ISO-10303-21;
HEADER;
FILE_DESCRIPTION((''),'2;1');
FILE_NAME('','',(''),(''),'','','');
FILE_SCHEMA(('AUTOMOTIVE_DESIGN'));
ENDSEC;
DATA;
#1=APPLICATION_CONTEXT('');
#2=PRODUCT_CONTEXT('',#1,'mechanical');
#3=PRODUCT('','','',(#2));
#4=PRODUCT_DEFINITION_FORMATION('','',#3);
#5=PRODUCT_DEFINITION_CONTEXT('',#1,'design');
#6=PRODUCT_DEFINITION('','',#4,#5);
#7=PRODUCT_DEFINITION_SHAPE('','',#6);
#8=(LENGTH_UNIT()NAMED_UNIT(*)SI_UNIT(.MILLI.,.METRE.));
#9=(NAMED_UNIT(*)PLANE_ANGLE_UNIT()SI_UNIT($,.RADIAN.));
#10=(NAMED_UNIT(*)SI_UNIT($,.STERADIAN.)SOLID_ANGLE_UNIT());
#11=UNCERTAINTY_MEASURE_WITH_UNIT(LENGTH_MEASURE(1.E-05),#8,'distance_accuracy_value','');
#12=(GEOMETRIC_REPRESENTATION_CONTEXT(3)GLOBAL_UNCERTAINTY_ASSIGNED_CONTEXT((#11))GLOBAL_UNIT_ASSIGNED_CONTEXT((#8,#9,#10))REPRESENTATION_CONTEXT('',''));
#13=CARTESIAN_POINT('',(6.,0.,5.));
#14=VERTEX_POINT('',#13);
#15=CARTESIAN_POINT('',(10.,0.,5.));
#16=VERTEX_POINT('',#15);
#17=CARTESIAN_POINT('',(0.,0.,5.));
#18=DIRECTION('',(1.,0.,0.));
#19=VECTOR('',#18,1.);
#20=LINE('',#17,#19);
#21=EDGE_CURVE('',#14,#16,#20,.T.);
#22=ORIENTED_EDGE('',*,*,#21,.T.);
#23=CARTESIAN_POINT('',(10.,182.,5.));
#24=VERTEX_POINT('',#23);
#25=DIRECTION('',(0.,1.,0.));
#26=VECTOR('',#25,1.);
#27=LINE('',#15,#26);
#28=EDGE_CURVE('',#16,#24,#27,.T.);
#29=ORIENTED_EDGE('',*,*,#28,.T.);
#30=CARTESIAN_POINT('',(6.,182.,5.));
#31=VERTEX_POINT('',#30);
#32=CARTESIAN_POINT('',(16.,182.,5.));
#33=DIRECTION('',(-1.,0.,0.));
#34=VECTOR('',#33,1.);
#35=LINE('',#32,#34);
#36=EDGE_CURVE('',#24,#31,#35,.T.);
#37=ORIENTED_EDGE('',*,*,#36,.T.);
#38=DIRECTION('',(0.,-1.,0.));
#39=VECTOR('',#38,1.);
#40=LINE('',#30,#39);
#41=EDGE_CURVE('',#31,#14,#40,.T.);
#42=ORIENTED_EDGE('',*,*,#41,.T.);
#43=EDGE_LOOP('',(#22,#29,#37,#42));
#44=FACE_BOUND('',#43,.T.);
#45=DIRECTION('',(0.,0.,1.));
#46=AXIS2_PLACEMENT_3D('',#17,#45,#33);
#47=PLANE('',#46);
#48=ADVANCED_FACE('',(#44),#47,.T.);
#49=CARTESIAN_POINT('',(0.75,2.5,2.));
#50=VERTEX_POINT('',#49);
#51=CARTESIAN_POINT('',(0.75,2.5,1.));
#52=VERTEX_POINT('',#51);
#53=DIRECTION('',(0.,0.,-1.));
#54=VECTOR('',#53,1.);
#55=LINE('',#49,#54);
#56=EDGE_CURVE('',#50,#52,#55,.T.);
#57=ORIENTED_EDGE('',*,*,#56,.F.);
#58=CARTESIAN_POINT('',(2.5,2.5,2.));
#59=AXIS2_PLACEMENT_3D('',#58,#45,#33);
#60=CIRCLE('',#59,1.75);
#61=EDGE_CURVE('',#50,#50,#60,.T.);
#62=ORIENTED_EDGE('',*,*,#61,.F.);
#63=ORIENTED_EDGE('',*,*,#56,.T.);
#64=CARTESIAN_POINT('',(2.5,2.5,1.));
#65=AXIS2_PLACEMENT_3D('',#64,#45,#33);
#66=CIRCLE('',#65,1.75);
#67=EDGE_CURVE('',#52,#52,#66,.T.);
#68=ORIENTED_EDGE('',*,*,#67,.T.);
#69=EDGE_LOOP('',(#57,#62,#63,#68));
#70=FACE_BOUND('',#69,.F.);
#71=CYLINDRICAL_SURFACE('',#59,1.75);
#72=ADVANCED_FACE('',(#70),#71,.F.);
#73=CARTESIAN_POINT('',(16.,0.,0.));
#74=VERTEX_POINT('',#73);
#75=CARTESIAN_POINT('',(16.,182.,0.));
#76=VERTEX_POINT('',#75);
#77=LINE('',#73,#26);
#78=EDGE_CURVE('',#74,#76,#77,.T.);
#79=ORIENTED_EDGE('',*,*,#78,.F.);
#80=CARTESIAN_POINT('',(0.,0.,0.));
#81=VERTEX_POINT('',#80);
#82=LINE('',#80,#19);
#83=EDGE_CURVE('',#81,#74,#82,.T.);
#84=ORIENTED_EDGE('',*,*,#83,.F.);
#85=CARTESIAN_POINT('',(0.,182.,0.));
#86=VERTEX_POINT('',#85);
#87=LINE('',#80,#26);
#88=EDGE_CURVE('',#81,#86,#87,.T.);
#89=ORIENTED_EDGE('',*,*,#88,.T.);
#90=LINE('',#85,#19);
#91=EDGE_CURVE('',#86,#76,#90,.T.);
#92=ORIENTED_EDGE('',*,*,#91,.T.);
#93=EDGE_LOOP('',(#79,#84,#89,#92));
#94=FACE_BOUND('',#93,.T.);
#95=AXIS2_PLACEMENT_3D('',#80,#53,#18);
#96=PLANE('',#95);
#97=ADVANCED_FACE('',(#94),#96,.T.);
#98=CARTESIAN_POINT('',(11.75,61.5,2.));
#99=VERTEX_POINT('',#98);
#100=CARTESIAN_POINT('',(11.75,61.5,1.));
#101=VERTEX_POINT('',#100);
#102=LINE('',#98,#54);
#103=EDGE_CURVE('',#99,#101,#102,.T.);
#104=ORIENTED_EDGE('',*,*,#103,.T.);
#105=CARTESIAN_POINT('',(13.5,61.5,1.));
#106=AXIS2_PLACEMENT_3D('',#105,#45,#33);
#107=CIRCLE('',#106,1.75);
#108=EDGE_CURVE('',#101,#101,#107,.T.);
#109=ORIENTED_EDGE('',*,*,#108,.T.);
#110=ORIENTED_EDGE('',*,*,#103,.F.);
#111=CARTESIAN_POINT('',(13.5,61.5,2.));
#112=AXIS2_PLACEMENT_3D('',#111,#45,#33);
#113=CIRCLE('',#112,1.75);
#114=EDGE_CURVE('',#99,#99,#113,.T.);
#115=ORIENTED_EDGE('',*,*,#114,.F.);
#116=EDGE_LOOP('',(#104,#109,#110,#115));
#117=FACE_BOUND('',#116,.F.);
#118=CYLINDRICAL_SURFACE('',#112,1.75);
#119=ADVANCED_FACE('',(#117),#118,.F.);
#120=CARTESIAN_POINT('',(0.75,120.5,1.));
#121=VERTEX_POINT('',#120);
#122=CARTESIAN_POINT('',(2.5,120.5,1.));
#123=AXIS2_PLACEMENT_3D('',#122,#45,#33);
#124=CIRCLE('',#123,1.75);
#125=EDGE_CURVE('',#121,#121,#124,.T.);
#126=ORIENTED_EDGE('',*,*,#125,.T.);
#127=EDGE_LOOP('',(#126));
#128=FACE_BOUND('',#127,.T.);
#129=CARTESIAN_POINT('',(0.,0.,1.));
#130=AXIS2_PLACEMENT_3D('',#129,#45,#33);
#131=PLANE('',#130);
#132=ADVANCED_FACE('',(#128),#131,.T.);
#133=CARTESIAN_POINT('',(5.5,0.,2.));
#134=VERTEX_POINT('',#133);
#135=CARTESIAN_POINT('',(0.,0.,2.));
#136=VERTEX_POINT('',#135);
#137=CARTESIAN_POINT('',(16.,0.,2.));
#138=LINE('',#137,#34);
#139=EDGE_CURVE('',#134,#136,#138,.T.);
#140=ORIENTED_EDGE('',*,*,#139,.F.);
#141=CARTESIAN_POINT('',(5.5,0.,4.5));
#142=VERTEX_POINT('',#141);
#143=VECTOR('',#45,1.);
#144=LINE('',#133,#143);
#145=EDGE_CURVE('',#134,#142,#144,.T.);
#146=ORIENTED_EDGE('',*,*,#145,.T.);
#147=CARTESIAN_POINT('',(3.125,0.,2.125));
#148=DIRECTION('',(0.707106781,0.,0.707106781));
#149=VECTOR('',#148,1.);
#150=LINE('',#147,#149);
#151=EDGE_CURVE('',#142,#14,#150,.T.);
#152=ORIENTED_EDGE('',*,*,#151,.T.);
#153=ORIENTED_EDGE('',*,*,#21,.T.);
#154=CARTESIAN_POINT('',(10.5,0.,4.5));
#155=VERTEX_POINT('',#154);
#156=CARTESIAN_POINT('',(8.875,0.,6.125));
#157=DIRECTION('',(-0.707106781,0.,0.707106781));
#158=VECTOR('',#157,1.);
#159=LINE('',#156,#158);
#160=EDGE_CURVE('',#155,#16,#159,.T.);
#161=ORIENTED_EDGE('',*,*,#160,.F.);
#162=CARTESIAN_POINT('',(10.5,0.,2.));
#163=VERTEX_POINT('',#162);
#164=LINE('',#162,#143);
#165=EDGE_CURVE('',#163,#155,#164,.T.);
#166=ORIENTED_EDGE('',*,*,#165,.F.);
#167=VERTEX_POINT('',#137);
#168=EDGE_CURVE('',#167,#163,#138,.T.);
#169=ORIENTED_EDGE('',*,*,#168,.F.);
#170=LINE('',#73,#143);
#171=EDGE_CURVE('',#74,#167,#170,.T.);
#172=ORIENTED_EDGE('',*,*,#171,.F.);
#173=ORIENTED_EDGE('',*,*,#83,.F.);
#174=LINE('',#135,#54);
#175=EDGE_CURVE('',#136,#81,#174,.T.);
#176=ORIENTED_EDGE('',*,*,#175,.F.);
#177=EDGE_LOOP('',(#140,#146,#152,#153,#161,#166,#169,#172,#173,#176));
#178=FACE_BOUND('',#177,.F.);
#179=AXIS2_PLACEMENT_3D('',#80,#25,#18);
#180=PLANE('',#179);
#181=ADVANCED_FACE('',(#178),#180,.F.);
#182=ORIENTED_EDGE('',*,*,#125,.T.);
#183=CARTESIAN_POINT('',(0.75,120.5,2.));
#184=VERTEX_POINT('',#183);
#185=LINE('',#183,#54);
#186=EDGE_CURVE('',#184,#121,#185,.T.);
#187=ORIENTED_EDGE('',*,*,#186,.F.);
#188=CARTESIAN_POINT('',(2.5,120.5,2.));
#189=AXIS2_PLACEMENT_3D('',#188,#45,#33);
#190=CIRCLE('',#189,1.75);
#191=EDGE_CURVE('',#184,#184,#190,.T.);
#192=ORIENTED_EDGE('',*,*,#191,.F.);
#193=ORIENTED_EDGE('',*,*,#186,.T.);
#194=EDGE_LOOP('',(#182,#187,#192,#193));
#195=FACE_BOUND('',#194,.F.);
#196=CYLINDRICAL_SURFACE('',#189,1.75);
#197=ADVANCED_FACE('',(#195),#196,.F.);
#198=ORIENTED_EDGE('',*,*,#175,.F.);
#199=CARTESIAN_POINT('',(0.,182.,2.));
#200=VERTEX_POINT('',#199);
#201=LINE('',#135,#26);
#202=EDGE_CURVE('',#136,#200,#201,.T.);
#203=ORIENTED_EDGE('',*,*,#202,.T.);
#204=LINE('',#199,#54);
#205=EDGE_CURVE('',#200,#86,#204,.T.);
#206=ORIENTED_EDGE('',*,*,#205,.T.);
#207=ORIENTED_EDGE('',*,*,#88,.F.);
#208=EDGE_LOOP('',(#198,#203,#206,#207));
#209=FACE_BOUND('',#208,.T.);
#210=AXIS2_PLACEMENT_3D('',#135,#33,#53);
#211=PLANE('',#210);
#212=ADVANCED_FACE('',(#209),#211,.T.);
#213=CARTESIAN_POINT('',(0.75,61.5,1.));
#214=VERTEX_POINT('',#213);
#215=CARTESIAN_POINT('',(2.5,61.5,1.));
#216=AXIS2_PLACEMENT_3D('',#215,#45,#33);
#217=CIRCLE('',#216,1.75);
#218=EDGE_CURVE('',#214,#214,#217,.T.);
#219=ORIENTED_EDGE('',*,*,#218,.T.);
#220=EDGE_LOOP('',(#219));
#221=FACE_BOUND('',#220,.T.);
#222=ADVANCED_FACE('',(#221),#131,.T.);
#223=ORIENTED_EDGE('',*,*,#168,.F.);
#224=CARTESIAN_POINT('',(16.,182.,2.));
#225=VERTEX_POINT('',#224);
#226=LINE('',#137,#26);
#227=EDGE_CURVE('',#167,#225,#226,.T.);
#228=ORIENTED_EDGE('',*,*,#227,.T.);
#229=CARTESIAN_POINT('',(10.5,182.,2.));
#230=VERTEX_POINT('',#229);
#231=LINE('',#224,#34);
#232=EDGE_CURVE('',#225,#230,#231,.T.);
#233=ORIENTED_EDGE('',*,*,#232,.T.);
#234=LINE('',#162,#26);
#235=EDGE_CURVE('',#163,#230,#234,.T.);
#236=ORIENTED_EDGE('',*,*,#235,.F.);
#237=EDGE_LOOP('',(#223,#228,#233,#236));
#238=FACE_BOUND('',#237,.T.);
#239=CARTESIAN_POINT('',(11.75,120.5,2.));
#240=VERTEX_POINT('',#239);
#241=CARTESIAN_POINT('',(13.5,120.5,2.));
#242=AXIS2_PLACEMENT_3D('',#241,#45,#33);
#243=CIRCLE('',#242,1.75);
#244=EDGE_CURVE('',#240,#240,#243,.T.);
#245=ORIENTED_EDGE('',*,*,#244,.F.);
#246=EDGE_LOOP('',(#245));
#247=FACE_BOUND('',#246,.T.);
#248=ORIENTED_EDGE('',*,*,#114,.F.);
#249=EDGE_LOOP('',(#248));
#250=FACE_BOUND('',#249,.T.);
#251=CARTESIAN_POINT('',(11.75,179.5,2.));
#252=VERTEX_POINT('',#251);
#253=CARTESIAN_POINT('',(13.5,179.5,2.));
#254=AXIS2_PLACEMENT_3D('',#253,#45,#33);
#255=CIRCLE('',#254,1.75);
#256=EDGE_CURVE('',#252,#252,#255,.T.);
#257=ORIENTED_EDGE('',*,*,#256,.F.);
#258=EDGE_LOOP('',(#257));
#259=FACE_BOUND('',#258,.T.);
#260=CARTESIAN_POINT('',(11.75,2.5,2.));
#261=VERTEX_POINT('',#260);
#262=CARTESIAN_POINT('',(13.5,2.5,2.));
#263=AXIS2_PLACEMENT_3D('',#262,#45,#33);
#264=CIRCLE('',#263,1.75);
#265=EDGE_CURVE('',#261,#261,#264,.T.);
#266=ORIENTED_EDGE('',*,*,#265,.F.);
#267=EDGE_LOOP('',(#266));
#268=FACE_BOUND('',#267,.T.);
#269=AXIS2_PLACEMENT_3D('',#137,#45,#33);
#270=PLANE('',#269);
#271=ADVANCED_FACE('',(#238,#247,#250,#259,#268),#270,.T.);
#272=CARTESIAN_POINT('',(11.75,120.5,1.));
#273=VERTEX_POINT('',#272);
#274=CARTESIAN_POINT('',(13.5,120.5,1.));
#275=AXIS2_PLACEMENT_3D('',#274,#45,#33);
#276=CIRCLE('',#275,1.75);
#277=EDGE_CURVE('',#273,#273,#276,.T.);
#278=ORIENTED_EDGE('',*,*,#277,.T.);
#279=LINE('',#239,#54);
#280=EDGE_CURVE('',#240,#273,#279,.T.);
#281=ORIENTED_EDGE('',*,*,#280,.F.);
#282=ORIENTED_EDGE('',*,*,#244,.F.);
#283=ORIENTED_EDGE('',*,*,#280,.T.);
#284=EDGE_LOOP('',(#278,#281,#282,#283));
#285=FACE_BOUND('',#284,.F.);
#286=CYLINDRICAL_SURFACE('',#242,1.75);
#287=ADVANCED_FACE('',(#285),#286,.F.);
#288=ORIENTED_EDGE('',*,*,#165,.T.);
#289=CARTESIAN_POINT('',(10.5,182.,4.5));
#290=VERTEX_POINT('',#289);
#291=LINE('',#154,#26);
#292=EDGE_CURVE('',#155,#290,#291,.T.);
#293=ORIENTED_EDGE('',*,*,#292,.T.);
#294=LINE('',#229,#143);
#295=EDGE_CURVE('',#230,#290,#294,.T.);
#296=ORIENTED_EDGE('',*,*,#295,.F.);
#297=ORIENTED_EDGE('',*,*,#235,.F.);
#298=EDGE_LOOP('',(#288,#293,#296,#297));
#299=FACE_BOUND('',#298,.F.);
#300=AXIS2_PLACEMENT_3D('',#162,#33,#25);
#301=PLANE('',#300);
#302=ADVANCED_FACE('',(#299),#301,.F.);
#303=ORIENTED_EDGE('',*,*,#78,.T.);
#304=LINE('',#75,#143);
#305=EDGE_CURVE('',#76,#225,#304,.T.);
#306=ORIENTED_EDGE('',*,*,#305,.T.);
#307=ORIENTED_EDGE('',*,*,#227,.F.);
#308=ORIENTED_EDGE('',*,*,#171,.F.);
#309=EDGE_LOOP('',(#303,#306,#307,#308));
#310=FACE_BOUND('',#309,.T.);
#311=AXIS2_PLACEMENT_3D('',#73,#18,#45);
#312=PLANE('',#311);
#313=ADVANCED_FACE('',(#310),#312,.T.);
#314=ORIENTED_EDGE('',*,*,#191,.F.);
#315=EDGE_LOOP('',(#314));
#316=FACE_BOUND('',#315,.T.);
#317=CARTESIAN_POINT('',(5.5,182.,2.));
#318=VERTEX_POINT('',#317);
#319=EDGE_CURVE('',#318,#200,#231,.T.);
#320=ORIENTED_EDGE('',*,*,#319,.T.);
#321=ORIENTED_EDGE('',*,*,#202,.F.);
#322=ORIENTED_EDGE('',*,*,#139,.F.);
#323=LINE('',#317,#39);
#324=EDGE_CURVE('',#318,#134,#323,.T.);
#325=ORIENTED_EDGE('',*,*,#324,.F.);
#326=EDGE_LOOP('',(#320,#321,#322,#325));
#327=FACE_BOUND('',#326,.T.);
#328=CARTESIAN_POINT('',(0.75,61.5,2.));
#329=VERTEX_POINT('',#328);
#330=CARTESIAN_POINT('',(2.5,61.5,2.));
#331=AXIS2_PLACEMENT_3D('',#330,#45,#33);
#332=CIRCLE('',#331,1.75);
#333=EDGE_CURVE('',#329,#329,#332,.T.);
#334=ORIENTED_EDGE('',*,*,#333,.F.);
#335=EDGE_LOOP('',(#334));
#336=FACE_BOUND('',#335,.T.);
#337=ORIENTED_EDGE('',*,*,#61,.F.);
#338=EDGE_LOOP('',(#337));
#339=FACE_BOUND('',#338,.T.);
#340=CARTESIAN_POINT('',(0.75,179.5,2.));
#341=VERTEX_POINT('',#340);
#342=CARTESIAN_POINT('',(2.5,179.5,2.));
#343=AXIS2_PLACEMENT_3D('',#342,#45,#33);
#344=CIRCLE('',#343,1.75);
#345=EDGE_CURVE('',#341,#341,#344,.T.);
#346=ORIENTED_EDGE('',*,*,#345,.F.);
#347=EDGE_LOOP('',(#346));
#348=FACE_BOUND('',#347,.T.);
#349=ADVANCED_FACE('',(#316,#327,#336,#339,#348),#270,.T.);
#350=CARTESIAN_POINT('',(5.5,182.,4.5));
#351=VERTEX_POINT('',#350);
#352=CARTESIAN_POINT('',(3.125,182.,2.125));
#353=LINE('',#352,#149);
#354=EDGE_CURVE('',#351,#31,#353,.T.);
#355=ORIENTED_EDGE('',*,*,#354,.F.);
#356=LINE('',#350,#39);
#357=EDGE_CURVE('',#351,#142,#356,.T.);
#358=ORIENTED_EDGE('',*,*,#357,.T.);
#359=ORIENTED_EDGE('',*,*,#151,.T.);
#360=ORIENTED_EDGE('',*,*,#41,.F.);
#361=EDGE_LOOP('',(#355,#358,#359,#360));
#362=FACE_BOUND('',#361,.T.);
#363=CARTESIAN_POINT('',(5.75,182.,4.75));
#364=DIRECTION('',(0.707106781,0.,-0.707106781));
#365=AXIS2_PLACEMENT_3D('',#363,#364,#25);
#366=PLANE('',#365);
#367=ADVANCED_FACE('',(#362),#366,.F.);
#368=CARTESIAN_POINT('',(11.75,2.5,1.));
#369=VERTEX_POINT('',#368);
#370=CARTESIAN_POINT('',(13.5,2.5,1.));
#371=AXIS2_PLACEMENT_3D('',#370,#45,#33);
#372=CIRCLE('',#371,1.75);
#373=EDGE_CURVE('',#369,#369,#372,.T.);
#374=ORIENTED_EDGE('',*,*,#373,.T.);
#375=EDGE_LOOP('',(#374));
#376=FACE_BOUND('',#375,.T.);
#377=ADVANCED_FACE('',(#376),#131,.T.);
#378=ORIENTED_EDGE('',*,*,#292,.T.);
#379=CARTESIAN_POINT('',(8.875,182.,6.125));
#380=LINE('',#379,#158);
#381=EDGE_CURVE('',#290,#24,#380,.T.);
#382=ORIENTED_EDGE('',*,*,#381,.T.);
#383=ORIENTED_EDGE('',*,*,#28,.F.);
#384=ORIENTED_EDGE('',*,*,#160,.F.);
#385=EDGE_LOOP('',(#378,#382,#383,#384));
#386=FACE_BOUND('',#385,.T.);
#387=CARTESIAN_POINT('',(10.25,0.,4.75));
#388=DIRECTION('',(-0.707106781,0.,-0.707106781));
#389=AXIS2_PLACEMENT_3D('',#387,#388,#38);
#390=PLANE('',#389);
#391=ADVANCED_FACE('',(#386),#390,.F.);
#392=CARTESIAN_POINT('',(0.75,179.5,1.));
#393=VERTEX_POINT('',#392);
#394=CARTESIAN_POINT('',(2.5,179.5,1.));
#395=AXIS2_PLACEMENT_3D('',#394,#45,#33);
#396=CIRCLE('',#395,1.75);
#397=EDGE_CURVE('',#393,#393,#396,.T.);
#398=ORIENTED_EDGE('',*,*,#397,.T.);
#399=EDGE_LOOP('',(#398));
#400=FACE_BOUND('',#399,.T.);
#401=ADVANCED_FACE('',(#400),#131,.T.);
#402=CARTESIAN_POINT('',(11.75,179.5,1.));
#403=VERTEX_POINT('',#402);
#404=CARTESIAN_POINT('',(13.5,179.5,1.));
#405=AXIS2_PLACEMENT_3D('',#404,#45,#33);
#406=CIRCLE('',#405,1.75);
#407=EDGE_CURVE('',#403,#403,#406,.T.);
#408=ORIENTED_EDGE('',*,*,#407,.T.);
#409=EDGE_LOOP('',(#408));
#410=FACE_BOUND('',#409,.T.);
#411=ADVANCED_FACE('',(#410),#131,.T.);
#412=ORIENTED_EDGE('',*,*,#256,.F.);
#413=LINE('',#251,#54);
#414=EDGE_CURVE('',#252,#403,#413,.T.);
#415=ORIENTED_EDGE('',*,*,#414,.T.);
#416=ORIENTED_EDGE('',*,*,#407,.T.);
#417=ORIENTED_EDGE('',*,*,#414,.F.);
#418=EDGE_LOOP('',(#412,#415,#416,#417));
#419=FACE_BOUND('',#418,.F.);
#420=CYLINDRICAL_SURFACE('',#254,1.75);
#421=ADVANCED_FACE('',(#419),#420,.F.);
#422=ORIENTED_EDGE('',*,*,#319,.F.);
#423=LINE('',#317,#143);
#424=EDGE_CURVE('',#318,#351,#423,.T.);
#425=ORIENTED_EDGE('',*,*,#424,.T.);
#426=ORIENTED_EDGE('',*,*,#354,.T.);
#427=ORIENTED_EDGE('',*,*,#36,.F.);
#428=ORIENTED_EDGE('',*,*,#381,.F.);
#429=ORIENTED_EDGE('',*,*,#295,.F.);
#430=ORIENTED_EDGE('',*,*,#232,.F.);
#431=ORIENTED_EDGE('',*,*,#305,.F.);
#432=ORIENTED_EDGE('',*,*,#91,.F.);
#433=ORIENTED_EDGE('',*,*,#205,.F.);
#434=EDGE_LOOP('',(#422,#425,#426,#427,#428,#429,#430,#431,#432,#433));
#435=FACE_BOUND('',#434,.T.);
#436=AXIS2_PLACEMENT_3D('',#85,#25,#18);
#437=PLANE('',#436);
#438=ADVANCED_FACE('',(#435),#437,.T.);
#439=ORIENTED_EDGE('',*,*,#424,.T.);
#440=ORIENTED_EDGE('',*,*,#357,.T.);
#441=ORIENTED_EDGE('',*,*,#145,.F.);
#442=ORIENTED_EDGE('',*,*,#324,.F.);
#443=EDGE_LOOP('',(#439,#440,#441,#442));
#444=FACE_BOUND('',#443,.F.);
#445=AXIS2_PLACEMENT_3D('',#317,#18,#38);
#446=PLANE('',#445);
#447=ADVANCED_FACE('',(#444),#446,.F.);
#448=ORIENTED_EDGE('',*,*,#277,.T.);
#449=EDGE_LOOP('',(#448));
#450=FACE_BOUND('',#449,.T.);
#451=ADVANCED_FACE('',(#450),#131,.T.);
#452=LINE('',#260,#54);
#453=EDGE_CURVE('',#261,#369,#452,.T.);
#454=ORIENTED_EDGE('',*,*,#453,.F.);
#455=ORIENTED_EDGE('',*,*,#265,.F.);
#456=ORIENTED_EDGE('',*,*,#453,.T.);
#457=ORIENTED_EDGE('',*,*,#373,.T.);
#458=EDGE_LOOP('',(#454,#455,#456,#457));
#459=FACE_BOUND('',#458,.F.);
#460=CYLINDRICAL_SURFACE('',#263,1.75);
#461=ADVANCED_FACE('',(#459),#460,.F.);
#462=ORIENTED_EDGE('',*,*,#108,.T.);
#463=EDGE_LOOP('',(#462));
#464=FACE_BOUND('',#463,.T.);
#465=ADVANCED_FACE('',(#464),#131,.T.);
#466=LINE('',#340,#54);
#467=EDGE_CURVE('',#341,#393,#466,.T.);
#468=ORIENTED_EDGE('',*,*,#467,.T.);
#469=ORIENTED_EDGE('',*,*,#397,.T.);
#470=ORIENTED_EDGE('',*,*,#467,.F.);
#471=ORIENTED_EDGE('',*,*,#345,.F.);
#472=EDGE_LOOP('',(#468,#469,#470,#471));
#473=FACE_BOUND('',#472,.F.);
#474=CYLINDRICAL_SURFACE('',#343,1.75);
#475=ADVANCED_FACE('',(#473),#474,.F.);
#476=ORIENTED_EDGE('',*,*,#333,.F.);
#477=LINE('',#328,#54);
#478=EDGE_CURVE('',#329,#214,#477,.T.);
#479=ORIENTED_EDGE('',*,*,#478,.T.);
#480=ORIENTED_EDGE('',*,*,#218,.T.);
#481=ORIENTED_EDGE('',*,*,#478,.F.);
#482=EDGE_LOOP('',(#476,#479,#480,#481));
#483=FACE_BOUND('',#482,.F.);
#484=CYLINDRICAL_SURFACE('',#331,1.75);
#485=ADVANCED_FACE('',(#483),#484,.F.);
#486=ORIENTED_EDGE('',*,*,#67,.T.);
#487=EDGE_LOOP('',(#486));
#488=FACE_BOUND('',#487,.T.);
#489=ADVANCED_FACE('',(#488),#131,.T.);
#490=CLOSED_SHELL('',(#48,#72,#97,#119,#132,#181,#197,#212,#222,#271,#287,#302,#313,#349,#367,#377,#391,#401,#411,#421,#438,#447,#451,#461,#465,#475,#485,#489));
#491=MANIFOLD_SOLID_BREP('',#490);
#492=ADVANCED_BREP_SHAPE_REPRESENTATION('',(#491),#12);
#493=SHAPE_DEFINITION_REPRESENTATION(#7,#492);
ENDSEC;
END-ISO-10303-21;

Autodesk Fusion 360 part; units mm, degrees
sketch "3D-printed conduit top outline" plane through (0, 0, 0) normal (0, 1, 0) x (1, 0, 0)
  line L0 (0, 0) -> (16, 0)
  line L1 (16, 0) -> (16, -2)
  line L2 (16, -2) -> (0, -2)
  line L3 (0, -2) -> (0, 0)
  dimension "d7" = 16
  dimension "d8" = 2
extrude "Extrude1" add sketch "3D-printed conduit top outline" along normal blind 182
sketch "Magnet holes" plane through (0, 0, 2) normal (0, 0, 1) x (-1, 0, 0)
  line L0 (0, 0) -> (-16, 0)
  line L1 (-16, 0) -> (-16, -182)
  line L2 (-16, -182) -> (0, -182)
  line L3 (0, -182) -> (0, 0)
  circle A0 centre (-2.5, -2.5) radius 2.5
  circle A1 centre (-13.5, -2.5) radius 2.5
  circle A2 centre (-2.5, -2.5) radius 1.75
  circle A3 centre (-13.5, -2.5) radius 1.75
  circle A4 centre (-2.5, -61.5) radius 1.75
  circle A5 centre (-2.5, -61.5) radius 2.5
  circle A6 centre (-13.5, -61.5) radius 2.5
  circle A7 centre (-13.5, -61.5) radius 1.75
  circle A8 centre (-2.5, -120.5) radius 1.75
  circle A9 centre (-2.5, -120.5) radius 2.5
  circle A10 centre (-13.5, -120.5) radius 2.5
  circle A11 centre (-13.5, -120.5) radius 1.75
  circle A12 centre (-2.5, -179.5) radius 1.75
  circle A13 centre (-2.5, -179.5) radius 2.5
  circle A14 centre (-13.5, -179.5) radius 2.5
  circle A15 centre (-13.5, -179.5) radius 1.75
  dimension "d11" = 5
  dimension "d12" = 5
  dimension "d13" = 3.5
  dimension "d14" = 3.5
  dimension "d17" = 0
  dimension "d18" = -177
extrude "Extrude2" cut sketch "Magnet holes" against normal blind 1 contours A2 | A3 | A4 | A7 | A8 | A11 | A12 | A15
sketch "Support rib" plane through (0, 0, 2) normal (0, 0, 1) x (-1, 0, 0)
  line L0 (0, 0) -> (-16, 0)
  line L1 (-16, 0) -> (-16, -182)
  line L2 (-16, -182) -> (0, -182)
  line L3 (0, -182) -> (0, 0)
  circle A0 centre (-13.5, -179.5) radius 1.75
  circle A1 centre (-13.5, -61.5) radius 1.75
  circle A2 centre (-2.5, -2.5) radius 1.75
  circle A3 centre (-2.5, -120.5) radius 1.75
  circle A4 centre (-2.5, -179.5) radius 1.75
  circle A5 centre (-2.5, -61.5) radius 1.75
  circle A6 centre (-13.5, -2.5) radius 1.75
  circle A7 centre (-13.5, -120.5) radius 1.75
  line L4 (-5.5, 0) -> (-10.5, 0)
  line L5 (-10.5, 0) -> (-10.5, -182)
  line L6 (-10.5, -182) -> (-5.5, -182)
  line L7 (-5.5, -182) -> (-5.5, 0)
  dimension "d23" = 5
  dimension "d24" = 5.5
  dimension "d25" = 5.5
extrude "Extrude3" add sketch "Support rib" along normal blind 3 contours L0 L2 L4 L5 L6 L7
chamfer "Chamfer1" distance 0.5 angle 45 2 edges at (5.5, 91, 5) (10.5, 91, 5)
equation "conduit_length = 182.00 mm"
equation "conduit_width = 16 mm"
equation "conduit_wall_thickness = 2 mm"
equation "magnet_diameter = 3 mm"
equation "magnet_height = 1 mm"
equation "number_of_magnets_on_a_side = 4"
equation "d7 = conduit_width"
equation "d8 = conduit_wall_thickness"
equation "d9 = conduit_length"
equation "d11 = magnet_diameter + 2 mm"
equation "d12 = magnet_diameter + 2 mm"
equation "d13 = magnet_diameter + 0.5 mm"
equation "d14 = magnet_diameter + 0.5 mm"
equation "d16 = number_of_magnets_on_a_side"
equation "d18 = -conduit_length + magnet_diameter + 2 mm"
equation "d19 = -magnet_height"
equation "rib_width = 5 mm"
equation "rib_height = 3 mm"
equation "d23 = rib_width"
equation "d24 = ( conduit_width - rib_width ) / 2"
equation "d26 = rib_height"
equation "rib_chamfer = 0.5 mm"
equation "d29 = rib_chamfer"
